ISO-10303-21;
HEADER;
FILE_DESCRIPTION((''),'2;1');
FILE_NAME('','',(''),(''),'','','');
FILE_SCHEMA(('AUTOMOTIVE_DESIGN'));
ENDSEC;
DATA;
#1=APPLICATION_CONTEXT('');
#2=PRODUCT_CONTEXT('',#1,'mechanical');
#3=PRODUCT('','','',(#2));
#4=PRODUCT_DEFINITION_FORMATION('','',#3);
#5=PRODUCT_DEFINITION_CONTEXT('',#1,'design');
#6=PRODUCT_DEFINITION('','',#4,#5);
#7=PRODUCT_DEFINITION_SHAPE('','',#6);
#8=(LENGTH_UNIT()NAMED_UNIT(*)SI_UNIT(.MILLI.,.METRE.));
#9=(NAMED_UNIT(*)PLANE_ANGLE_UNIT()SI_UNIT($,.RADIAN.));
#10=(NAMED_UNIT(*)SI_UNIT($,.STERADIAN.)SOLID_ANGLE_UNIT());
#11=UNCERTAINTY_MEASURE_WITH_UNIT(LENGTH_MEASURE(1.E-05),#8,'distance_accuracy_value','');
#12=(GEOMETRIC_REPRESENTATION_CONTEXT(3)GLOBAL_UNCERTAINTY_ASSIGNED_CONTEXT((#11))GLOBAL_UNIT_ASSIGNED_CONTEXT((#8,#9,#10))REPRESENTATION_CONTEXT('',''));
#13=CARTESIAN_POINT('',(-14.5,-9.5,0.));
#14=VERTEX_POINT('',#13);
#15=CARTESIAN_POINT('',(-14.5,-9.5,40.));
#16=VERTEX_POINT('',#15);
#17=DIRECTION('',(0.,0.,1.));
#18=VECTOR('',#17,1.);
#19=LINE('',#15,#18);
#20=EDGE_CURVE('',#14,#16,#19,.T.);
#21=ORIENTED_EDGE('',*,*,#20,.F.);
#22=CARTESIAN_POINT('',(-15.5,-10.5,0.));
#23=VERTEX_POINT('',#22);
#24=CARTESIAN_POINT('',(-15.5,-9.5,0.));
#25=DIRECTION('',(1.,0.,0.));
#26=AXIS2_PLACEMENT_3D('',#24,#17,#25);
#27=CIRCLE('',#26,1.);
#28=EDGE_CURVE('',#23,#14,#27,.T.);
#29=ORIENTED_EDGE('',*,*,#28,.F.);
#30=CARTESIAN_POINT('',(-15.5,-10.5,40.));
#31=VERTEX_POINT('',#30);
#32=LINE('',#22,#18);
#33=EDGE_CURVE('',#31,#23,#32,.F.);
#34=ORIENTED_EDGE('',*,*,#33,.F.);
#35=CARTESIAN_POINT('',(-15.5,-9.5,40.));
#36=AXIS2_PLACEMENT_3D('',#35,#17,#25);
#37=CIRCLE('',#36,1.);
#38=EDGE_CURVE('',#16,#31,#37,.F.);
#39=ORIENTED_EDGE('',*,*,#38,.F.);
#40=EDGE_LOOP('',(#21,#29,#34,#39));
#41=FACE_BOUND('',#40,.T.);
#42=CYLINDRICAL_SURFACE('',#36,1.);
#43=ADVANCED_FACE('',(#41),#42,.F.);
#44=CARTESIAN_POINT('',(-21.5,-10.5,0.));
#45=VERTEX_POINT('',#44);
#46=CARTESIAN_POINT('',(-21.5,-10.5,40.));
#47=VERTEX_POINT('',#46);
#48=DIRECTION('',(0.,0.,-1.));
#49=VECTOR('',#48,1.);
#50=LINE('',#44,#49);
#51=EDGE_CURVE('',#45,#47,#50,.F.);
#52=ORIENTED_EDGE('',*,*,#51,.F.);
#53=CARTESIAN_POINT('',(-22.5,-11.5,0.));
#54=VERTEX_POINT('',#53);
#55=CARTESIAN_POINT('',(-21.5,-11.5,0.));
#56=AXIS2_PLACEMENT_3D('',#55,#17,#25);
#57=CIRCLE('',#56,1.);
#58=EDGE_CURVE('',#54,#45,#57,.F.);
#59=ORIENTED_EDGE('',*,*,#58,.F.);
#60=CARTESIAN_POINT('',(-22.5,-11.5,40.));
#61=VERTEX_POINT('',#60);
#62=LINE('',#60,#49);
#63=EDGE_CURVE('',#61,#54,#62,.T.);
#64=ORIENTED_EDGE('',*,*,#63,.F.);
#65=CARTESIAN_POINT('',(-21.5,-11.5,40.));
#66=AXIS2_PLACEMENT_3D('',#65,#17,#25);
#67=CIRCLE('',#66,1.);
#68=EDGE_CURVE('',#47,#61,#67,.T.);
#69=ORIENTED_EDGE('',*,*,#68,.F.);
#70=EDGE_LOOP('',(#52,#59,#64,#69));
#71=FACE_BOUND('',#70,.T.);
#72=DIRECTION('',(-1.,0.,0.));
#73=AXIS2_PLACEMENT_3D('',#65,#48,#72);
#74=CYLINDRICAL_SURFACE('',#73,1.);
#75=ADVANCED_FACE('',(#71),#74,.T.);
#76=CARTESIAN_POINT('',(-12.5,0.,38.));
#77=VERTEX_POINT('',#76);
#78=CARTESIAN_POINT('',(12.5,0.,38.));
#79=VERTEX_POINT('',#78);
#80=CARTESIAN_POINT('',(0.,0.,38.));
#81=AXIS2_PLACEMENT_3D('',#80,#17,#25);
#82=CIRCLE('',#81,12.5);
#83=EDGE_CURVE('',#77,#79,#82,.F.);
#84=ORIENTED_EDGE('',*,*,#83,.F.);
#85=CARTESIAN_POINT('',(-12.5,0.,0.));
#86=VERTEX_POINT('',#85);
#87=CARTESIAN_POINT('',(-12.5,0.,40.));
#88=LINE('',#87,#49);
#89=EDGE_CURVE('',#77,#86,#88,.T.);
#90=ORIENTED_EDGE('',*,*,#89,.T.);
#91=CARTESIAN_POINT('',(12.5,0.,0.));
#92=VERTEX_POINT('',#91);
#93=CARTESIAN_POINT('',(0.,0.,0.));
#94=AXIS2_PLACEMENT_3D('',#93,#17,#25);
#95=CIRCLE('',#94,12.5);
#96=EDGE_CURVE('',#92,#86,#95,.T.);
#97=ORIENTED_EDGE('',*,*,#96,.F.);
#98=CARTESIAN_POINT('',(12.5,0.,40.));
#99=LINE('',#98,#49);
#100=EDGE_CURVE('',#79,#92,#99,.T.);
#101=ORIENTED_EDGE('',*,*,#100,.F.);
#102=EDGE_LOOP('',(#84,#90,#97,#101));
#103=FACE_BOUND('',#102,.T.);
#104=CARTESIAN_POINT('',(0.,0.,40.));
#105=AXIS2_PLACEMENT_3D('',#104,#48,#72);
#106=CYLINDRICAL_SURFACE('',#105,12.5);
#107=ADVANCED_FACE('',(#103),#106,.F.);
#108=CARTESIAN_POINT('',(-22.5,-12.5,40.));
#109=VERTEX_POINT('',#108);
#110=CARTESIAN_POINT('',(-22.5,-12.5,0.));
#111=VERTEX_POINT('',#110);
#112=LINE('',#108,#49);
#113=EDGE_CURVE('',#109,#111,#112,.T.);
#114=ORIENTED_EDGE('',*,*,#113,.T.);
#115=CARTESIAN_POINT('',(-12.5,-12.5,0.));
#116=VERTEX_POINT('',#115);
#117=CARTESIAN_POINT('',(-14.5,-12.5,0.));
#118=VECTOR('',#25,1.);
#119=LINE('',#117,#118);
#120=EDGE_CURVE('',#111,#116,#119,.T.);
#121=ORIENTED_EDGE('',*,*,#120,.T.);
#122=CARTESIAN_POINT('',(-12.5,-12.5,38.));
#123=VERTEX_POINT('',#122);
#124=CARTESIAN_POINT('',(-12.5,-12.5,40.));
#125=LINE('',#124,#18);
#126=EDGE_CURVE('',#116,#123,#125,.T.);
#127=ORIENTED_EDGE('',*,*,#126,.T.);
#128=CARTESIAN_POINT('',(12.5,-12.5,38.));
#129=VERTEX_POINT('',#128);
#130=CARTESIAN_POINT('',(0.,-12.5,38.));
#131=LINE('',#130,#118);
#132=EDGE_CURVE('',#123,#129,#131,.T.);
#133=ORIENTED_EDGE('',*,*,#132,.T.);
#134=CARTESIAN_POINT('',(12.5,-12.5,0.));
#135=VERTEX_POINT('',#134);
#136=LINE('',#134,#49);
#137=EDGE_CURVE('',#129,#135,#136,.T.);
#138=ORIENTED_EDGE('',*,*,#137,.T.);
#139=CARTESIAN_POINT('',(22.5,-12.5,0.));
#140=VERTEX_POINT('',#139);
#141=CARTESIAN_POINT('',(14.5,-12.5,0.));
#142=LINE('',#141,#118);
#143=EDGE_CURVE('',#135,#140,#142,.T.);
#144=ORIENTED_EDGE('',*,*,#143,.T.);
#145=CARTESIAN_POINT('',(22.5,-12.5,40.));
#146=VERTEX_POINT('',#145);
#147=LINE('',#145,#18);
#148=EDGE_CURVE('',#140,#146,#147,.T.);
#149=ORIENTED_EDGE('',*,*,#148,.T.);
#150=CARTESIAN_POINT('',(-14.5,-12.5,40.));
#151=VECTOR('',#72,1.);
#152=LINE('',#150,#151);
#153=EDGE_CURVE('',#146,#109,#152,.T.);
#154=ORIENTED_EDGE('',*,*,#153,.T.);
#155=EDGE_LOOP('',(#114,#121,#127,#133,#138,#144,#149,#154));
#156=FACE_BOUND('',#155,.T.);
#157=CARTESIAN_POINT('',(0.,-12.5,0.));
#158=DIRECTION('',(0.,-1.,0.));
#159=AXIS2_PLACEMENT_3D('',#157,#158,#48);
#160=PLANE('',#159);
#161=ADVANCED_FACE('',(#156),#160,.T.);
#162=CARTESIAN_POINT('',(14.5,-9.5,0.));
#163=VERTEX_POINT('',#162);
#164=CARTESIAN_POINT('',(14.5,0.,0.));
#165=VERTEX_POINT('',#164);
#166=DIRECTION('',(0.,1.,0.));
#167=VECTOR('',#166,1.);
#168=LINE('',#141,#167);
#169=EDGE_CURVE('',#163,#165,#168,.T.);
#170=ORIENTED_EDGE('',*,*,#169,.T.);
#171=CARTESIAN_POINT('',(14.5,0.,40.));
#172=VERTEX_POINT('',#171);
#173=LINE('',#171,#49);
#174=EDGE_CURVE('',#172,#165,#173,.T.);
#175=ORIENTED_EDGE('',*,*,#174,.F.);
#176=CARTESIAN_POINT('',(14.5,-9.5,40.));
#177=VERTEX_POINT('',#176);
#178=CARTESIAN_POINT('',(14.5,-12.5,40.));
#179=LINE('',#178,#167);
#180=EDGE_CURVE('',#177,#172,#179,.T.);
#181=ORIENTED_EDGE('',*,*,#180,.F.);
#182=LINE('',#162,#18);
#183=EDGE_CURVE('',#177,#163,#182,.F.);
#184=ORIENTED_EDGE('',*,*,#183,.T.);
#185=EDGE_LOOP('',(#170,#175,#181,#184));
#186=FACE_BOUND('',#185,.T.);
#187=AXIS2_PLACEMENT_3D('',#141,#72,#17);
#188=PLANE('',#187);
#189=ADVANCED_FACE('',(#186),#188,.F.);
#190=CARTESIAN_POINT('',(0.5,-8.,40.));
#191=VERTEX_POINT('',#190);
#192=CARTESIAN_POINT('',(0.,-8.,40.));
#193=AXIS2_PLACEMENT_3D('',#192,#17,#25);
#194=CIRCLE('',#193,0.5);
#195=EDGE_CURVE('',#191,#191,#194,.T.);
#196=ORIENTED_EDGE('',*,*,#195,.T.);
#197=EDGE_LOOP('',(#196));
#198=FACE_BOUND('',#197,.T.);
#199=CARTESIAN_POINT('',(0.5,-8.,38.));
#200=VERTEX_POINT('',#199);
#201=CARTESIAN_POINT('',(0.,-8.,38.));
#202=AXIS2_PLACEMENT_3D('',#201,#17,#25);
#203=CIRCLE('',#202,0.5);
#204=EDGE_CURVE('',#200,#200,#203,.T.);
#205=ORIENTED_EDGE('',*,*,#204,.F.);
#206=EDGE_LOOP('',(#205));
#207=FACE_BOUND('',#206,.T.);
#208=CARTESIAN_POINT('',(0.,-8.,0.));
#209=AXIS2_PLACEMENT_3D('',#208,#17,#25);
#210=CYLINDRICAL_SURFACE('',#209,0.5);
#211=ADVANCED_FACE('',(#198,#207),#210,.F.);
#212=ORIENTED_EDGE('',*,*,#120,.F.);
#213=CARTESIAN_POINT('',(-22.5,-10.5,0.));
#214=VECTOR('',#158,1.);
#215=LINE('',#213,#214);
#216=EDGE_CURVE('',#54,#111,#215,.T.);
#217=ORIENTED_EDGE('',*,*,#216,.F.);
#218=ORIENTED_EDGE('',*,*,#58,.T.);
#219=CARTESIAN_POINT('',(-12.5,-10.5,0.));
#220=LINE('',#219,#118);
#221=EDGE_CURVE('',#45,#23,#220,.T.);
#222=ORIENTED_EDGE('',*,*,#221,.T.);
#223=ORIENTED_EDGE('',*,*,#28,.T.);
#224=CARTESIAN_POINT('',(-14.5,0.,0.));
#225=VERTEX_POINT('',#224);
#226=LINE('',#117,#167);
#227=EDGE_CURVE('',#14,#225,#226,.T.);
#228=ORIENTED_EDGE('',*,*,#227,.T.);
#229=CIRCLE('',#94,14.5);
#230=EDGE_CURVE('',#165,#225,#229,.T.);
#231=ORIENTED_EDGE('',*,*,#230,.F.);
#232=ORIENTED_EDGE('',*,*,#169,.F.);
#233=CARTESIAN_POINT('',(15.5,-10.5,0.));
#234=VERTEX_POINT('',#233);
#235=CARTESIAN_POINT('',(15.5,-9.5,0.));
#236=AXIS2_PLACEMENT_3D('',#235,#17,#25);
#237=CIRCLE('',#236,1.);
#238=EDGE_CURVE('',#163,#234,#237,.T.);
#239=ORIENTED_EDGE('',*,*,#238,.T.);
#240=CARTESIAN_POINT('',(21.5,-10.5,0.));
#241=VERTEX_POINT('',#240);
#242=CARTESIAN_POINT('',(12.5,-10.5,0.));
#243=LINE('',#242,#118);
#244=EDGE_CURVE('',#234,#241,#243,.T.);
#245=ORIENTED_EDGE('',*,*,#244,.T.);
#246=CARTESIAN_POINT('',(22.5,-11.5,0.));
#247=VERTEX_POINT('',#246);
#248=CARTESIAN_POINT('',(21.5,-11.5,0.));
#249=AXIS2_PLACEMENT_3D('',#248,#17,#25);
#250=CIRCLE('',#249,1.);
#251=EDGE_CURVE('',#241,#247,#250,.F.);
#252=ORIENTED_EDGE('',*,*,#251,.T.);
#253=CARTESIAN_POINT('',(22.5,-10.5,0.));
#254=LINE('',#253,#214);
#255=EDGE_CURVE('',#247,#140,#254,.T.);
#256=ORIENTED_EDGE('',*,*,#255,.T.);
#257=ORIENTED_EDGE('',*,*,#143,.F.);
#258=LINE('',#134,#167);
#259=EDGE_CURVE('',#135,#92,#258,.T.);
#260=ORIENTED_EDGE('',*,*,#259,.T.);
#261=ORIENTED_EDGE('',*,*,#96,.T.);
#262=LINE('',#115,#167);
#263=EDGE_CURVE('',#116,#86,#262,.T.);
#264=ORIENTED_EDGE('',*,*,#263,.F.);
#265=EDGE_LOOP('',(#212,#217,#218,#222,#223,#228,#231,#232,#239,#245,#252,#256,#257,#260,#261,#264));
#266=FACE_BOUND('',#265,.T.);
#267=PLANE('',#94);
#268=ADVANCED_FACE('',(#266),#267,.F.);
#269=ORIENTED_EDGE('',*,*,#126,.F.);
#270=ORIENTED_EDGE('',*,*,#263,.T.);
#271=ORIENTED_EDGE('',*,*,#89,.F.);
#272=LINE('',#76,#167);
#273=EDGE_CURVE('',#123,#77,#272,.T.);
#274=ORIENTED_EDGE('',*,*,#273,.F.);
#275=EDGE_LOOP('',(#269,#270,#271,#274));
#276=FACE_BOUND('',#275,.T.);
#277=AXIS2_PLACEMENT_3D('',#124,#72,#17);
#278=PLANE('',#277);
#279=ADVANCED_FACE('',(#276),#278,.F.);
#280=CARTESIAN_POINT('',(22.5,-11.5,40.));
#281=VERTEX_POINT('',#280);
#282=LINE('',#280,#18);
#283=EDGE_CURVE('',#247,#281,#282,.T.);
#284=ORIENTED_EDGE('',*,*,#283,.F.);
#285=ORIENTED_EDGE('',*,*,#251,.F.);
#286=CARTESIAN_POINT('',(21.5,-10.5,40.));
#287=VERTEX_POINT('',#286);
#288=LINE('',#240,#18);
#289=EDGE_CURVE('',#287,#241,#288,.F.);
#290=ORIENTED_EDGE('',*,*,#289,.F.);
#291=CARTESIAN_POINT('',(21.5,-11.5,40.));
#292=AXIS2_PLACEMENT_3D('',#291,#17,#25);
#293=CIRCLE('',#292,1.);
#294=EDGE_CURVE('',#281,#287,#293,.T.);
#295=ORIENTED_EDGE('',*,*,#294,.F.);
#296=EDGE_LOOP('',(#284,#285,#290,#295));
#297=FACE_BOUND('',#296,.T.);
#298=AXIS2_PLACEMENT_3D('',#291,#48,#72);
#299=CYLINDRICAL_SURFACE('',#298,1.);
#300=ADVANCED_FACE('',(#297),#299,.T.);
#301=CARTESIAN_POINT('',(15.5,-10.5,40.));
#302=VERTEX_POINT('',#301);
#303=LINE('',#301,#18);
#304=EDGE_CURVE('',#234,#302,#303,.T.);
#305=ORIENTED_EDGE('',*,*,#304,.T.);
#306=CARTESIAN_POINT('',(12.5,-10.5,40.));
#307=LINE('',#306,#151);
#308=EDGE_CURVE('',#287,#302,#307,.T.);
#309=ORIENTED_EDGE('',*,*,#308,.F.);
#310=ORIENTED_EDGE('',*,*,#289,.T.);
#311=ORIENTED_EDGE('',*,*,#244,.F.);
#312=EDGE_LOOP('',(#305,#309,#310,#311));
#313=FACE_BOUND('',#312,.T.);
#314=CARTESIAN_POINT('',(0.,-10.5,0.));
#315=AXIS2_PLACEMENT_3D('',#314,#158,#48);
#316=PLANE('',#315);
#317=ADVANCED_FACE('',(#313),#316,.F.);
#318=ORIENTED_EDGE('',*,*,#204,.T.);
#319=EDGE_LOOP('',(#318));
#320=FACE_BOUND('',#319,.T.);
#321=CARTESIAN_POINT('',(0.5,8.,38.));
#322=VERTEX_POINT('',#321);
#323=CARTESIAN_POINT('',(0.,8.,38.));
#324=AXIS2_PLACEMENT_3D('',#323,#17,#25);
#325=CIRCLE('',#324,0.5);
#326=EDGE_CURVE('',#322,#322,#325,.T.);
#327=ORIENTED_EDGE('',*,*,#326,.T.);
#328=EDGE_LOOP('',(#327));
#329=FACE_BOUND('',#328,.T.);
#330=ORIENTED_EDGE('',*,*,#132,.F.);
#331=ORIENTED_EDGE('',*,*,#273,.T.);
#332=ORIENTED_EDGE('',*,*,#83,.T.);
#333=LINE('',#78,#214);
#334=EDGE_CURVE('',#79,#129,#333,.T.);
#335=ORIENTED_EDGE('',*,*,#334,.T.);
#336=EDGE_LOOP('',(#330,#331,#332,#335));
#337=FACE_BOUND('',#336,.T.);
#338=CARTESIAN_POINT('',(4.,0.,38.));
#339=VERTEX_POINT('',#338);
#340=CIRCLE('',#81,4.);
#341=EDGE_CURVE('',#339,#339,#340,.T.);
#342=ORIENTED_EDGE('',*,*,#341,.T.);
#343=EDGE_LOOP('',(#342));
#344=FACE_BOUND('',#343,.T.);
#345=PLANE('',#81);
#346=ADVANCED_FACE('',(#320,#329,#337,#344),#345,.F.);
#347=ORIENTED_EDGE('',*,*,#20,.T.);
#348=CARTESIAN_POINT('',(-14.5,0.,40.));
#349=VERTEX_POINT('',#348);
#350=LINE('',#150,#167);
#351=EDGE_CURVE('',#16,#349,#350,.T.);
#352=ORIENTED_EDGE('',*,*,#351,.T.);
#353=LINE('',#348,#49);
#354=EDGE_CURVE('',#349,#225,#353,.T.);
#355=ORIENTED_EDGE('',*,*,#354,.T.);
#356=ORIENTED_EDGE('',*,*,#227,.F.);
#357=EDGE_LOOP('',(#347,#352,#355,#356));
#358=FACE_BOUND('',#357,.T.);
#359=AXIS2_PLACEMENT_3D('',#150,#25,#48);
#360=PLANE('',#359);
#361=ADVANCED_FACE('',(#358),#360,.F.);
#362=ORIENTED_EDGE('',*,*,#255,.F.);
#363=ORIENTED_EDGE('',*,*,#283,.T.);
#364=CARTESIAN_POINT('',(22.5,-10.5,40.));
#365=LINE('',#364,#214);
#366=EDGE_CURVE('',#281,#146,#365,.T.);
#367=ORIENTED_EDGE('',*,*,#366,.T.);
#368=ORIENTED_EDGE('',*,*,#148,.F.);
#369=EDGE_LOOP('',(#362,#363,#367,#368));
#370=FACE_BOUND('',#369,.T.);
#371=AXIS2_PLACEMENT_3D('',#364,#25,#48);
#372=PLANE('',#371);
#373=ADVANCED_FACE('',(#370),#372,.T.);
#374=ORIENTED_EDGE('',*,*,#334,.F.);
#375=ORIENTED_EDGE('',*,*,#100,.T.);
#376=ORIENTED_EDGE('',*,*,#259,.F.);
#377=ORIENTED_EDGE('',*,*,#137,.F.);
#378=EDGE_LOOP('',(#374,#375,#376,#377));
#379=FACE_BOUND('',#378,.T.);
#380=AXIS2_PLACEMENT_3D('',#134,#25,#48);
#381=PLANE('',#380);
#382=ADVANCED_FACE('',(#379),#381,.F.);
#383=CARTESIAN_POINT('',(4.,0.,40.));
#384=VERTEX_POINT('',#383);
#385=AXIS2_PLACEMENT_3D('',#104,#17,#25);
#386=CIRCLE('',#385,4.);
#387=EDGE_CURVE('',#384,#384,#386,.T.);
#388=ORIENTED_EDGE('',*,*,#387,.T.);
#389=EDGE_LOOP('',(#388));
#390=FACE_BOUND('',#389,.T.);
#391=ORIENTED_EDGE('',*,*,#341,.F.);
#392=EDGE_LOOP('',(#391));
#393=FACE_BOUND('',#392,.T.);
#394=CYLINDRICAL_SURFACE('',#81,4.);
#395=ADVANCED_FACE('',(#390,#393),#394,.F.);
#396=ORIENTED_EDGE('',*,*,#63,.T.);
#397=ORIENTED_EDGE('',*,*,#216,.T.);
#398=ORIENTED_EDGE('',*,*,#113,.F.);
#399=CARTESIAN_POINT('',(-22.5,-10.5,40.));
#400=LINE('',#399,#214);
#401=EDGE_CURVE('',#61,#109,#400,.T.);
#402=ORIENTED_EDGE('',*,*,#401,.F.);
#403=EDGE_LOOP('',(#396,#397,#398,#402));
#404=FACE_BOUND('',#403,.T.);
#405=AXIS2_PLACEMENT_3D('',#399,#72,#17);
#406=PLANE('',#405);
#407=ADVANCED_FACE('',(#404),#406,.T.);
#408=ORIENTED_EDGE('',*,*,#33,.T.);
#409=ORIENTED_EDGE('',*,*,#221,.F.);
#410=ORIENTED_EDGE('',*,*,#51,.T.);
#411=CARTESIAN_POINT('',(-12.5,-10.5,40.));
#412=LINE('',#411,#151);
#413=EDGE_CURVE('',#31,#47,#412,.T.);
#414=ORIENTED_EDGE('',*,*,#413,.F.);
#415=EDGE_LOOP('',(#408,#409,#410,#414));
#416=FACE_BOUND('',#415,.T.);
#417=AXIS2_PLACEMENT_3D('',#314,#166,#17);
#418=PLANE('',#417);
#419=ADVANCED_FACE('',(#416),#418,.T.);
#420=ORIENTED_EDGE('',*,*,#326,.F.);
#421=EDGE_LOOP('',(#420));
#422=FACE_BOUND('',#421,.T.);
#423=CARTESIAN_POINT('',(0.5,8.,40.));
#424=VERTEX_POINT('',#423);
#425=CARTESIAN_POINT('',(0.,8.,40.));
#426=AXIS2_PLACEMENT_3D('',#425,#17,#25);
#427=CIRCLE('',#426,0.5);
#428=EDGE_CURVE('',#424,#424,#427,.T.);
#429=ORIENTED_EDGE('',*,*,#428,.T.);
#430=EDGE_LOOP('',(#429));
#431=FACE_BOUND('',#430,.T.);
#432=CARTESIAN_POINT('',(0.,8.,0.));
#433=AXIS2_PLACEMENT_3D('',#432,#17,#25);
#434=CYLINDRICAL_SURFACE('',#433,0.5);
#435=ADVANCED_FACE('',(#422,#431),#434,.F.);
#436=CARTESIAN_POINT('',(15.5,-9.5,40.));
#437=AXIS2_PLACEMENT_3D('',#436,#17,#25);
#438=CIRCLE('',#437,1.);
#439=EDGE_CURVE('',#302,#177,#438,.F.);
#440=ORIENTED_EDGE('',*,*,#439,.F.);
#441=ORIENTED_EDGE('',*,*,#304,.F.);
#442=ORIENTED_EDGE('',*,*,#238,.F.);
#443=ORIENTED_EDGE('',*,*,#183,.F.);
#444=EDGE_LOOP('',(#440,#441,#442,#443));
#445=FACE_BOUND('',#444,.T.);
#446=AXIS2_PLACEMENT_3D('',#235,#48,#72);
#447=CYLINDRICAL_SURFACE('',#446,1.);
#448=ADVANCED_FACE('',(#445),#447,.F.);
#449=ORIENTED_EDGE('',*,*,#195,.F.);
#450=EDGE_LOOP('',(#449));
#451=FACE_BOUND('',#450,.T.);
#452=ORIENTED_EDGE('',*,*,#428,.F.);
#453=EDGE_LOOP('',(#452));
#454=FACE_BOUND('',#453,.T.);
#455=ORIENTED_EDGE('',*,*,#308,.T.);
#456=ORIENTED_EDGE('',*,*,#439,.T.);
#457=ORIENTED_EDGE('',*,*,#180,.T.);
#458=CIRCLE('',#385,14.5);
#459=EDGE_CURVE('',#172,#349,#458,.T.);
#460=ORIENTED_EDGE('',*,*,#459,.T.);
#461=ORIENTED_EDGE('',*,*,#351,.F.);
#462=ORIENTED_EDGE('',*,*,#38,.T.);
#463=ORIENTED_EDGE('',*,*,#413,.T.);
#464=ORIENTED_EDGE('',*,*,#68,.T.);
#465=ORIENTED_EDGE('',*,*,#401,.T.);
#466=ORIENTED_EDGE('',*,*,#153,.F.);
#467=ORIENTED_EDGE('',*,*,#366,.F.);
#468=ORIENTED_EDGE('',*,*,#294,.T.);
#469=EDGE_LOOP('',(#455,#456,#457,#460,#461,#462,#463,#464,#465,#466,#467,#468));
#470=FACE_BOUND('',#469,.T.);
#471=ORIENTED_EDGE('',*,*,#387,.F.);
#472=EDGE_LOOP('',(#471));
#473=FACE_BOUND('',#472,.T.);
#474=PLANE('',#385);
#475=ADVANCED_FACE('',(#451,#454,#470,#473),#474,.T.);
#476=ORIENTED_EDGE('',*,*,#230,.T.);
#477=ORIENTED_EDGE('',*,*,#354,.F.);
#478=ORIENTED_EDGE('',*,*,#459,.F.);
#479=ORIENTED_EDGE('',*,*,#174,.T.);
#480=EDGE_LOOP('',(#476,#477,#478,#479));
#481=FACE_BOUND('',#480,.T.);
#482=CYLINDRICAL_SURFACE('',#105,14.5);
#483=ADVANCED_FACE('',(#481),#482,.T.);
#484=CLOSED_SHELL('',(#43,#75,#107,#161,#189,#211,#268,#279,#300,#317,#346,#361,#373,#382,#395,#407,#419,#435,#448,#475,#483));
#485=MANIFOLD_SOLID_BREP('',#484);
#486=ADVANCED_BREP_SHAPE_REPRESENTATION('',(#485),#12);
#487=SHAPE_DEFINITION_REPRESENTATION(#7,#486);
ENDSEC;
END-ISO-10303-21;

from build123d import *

# Parameters (mm, degrees)
BOSS_EXTRU_1_DEPTH      = 40
ESQUISSE2_W             = 2
ESQUISSE2_H             = 40
BOSS_EXTRU_2_DEPTH      = 12.5
ESQUISSE3_W             = 10
ESQUISSE3_H             = 40
BOSS_EXTRU_3_DEPTH      = 2
BOSS_EXTRU_4_START      = -2
ESQUISSE4_R             = 4
BOSS_EXTRU_4_DEPTH      = 2
CONG_1_R                = 1
ESQUISSE5_R             = 0.5
ENL_V_MAT_EXTRU_1_DEPTH = 49.130032204


with BuildPart() as part:
    # Esquisse1 → Boss.-Extru.1 (new body)
    with BuildSketch(Plane.XY):
        with BuildLine():
            ThreePointArc((-12.5, 0), (0, 12.5), (12.5, 0))
            Line((12.5, 0), (14.5, 0))
            ThreePointArc((14.5, 0), (0, 14.5), (-14.5, 0))
            Line((-14.5, 0), (-12.5, 0))
        make_face()
    extrude(amount=BOSS_EXTRU_1_DEPTH)

    # Esquisse2 → Boss.-Extru.2 (add)
    with BuildSketch(Plane.XZ):
        with Locations((-13.5, 20)):
            Rectangle(ESQUISSE2_W, ESQUISSE2_H)
        with Locations((13.5, 20)):
            Rectangle(ESQUISSE2_W, ESQUISSE2_H)
    extrude(amount=BOSS_EXTRU_2_DEPTH)

    # Esquisse3 → Boss.-Extru.3 (add)
    with BuildSketch(Plane.XZ.offset(12.5)):
        with Locations((-17.5, 20)):
            Rectangle(ESQUISSE3_W, ESQUISSE3_H)
        with Locations((17.5, 20)):
            Rectangle(ESQUISSE3_W, ESQUISSE3_H)
    extrude(amount=-BOSS_EXTRU_3_DEPTH)

    # Esquisse4 → Boss.-Extru.4 (add)
    with BuildSketch(Plane.XY.offset(40).offset(BOSS_EXTRU_4_START)):
        with BuildLine():
            Line((-12.5, 0), (-12.5, -12.5))
            Line((-12.5, -12.5), (12.5, -12.5))
            Line((12.5, -12.5), (12.5, 0))
            ThreePointArc((12.5, 0), (0, 12.5), (-12.5, 0))
        make_face()
        Circle(ESQUISSE4_R, mode=Mode.SUBTRACT)
    extrude(amount=BOSS_EXTRU_4_DEPTH)

    # Congé1
    cong_1_edges = [part.edges().sort_by_distance(p)[0] for p in [
        (-22.5, -10.5, 20),
        (-14.5, -10.5, 20),
        (14.5, -10.5, 20),
        (22.5, -10.5, 20),
    ]]
    fillet(cong_1_edges, radius=CONG_1_R)

    # Esquisse5 → Enlèv. mat.-Extru.1 (cut, through all)
    with BuildSketch(Plane.XY.offset(40)):
        with Locations((0, -8)):
            Circle(ESQUISSE5_R)
        with Locations((0, 8)):
            Circle(ESQUISSE5_R)
    extrude(amount=-ENL_V_MAT_EXTRU_1_DEPTH, mode=Mode.SUBTRACT)


solid = part.part
